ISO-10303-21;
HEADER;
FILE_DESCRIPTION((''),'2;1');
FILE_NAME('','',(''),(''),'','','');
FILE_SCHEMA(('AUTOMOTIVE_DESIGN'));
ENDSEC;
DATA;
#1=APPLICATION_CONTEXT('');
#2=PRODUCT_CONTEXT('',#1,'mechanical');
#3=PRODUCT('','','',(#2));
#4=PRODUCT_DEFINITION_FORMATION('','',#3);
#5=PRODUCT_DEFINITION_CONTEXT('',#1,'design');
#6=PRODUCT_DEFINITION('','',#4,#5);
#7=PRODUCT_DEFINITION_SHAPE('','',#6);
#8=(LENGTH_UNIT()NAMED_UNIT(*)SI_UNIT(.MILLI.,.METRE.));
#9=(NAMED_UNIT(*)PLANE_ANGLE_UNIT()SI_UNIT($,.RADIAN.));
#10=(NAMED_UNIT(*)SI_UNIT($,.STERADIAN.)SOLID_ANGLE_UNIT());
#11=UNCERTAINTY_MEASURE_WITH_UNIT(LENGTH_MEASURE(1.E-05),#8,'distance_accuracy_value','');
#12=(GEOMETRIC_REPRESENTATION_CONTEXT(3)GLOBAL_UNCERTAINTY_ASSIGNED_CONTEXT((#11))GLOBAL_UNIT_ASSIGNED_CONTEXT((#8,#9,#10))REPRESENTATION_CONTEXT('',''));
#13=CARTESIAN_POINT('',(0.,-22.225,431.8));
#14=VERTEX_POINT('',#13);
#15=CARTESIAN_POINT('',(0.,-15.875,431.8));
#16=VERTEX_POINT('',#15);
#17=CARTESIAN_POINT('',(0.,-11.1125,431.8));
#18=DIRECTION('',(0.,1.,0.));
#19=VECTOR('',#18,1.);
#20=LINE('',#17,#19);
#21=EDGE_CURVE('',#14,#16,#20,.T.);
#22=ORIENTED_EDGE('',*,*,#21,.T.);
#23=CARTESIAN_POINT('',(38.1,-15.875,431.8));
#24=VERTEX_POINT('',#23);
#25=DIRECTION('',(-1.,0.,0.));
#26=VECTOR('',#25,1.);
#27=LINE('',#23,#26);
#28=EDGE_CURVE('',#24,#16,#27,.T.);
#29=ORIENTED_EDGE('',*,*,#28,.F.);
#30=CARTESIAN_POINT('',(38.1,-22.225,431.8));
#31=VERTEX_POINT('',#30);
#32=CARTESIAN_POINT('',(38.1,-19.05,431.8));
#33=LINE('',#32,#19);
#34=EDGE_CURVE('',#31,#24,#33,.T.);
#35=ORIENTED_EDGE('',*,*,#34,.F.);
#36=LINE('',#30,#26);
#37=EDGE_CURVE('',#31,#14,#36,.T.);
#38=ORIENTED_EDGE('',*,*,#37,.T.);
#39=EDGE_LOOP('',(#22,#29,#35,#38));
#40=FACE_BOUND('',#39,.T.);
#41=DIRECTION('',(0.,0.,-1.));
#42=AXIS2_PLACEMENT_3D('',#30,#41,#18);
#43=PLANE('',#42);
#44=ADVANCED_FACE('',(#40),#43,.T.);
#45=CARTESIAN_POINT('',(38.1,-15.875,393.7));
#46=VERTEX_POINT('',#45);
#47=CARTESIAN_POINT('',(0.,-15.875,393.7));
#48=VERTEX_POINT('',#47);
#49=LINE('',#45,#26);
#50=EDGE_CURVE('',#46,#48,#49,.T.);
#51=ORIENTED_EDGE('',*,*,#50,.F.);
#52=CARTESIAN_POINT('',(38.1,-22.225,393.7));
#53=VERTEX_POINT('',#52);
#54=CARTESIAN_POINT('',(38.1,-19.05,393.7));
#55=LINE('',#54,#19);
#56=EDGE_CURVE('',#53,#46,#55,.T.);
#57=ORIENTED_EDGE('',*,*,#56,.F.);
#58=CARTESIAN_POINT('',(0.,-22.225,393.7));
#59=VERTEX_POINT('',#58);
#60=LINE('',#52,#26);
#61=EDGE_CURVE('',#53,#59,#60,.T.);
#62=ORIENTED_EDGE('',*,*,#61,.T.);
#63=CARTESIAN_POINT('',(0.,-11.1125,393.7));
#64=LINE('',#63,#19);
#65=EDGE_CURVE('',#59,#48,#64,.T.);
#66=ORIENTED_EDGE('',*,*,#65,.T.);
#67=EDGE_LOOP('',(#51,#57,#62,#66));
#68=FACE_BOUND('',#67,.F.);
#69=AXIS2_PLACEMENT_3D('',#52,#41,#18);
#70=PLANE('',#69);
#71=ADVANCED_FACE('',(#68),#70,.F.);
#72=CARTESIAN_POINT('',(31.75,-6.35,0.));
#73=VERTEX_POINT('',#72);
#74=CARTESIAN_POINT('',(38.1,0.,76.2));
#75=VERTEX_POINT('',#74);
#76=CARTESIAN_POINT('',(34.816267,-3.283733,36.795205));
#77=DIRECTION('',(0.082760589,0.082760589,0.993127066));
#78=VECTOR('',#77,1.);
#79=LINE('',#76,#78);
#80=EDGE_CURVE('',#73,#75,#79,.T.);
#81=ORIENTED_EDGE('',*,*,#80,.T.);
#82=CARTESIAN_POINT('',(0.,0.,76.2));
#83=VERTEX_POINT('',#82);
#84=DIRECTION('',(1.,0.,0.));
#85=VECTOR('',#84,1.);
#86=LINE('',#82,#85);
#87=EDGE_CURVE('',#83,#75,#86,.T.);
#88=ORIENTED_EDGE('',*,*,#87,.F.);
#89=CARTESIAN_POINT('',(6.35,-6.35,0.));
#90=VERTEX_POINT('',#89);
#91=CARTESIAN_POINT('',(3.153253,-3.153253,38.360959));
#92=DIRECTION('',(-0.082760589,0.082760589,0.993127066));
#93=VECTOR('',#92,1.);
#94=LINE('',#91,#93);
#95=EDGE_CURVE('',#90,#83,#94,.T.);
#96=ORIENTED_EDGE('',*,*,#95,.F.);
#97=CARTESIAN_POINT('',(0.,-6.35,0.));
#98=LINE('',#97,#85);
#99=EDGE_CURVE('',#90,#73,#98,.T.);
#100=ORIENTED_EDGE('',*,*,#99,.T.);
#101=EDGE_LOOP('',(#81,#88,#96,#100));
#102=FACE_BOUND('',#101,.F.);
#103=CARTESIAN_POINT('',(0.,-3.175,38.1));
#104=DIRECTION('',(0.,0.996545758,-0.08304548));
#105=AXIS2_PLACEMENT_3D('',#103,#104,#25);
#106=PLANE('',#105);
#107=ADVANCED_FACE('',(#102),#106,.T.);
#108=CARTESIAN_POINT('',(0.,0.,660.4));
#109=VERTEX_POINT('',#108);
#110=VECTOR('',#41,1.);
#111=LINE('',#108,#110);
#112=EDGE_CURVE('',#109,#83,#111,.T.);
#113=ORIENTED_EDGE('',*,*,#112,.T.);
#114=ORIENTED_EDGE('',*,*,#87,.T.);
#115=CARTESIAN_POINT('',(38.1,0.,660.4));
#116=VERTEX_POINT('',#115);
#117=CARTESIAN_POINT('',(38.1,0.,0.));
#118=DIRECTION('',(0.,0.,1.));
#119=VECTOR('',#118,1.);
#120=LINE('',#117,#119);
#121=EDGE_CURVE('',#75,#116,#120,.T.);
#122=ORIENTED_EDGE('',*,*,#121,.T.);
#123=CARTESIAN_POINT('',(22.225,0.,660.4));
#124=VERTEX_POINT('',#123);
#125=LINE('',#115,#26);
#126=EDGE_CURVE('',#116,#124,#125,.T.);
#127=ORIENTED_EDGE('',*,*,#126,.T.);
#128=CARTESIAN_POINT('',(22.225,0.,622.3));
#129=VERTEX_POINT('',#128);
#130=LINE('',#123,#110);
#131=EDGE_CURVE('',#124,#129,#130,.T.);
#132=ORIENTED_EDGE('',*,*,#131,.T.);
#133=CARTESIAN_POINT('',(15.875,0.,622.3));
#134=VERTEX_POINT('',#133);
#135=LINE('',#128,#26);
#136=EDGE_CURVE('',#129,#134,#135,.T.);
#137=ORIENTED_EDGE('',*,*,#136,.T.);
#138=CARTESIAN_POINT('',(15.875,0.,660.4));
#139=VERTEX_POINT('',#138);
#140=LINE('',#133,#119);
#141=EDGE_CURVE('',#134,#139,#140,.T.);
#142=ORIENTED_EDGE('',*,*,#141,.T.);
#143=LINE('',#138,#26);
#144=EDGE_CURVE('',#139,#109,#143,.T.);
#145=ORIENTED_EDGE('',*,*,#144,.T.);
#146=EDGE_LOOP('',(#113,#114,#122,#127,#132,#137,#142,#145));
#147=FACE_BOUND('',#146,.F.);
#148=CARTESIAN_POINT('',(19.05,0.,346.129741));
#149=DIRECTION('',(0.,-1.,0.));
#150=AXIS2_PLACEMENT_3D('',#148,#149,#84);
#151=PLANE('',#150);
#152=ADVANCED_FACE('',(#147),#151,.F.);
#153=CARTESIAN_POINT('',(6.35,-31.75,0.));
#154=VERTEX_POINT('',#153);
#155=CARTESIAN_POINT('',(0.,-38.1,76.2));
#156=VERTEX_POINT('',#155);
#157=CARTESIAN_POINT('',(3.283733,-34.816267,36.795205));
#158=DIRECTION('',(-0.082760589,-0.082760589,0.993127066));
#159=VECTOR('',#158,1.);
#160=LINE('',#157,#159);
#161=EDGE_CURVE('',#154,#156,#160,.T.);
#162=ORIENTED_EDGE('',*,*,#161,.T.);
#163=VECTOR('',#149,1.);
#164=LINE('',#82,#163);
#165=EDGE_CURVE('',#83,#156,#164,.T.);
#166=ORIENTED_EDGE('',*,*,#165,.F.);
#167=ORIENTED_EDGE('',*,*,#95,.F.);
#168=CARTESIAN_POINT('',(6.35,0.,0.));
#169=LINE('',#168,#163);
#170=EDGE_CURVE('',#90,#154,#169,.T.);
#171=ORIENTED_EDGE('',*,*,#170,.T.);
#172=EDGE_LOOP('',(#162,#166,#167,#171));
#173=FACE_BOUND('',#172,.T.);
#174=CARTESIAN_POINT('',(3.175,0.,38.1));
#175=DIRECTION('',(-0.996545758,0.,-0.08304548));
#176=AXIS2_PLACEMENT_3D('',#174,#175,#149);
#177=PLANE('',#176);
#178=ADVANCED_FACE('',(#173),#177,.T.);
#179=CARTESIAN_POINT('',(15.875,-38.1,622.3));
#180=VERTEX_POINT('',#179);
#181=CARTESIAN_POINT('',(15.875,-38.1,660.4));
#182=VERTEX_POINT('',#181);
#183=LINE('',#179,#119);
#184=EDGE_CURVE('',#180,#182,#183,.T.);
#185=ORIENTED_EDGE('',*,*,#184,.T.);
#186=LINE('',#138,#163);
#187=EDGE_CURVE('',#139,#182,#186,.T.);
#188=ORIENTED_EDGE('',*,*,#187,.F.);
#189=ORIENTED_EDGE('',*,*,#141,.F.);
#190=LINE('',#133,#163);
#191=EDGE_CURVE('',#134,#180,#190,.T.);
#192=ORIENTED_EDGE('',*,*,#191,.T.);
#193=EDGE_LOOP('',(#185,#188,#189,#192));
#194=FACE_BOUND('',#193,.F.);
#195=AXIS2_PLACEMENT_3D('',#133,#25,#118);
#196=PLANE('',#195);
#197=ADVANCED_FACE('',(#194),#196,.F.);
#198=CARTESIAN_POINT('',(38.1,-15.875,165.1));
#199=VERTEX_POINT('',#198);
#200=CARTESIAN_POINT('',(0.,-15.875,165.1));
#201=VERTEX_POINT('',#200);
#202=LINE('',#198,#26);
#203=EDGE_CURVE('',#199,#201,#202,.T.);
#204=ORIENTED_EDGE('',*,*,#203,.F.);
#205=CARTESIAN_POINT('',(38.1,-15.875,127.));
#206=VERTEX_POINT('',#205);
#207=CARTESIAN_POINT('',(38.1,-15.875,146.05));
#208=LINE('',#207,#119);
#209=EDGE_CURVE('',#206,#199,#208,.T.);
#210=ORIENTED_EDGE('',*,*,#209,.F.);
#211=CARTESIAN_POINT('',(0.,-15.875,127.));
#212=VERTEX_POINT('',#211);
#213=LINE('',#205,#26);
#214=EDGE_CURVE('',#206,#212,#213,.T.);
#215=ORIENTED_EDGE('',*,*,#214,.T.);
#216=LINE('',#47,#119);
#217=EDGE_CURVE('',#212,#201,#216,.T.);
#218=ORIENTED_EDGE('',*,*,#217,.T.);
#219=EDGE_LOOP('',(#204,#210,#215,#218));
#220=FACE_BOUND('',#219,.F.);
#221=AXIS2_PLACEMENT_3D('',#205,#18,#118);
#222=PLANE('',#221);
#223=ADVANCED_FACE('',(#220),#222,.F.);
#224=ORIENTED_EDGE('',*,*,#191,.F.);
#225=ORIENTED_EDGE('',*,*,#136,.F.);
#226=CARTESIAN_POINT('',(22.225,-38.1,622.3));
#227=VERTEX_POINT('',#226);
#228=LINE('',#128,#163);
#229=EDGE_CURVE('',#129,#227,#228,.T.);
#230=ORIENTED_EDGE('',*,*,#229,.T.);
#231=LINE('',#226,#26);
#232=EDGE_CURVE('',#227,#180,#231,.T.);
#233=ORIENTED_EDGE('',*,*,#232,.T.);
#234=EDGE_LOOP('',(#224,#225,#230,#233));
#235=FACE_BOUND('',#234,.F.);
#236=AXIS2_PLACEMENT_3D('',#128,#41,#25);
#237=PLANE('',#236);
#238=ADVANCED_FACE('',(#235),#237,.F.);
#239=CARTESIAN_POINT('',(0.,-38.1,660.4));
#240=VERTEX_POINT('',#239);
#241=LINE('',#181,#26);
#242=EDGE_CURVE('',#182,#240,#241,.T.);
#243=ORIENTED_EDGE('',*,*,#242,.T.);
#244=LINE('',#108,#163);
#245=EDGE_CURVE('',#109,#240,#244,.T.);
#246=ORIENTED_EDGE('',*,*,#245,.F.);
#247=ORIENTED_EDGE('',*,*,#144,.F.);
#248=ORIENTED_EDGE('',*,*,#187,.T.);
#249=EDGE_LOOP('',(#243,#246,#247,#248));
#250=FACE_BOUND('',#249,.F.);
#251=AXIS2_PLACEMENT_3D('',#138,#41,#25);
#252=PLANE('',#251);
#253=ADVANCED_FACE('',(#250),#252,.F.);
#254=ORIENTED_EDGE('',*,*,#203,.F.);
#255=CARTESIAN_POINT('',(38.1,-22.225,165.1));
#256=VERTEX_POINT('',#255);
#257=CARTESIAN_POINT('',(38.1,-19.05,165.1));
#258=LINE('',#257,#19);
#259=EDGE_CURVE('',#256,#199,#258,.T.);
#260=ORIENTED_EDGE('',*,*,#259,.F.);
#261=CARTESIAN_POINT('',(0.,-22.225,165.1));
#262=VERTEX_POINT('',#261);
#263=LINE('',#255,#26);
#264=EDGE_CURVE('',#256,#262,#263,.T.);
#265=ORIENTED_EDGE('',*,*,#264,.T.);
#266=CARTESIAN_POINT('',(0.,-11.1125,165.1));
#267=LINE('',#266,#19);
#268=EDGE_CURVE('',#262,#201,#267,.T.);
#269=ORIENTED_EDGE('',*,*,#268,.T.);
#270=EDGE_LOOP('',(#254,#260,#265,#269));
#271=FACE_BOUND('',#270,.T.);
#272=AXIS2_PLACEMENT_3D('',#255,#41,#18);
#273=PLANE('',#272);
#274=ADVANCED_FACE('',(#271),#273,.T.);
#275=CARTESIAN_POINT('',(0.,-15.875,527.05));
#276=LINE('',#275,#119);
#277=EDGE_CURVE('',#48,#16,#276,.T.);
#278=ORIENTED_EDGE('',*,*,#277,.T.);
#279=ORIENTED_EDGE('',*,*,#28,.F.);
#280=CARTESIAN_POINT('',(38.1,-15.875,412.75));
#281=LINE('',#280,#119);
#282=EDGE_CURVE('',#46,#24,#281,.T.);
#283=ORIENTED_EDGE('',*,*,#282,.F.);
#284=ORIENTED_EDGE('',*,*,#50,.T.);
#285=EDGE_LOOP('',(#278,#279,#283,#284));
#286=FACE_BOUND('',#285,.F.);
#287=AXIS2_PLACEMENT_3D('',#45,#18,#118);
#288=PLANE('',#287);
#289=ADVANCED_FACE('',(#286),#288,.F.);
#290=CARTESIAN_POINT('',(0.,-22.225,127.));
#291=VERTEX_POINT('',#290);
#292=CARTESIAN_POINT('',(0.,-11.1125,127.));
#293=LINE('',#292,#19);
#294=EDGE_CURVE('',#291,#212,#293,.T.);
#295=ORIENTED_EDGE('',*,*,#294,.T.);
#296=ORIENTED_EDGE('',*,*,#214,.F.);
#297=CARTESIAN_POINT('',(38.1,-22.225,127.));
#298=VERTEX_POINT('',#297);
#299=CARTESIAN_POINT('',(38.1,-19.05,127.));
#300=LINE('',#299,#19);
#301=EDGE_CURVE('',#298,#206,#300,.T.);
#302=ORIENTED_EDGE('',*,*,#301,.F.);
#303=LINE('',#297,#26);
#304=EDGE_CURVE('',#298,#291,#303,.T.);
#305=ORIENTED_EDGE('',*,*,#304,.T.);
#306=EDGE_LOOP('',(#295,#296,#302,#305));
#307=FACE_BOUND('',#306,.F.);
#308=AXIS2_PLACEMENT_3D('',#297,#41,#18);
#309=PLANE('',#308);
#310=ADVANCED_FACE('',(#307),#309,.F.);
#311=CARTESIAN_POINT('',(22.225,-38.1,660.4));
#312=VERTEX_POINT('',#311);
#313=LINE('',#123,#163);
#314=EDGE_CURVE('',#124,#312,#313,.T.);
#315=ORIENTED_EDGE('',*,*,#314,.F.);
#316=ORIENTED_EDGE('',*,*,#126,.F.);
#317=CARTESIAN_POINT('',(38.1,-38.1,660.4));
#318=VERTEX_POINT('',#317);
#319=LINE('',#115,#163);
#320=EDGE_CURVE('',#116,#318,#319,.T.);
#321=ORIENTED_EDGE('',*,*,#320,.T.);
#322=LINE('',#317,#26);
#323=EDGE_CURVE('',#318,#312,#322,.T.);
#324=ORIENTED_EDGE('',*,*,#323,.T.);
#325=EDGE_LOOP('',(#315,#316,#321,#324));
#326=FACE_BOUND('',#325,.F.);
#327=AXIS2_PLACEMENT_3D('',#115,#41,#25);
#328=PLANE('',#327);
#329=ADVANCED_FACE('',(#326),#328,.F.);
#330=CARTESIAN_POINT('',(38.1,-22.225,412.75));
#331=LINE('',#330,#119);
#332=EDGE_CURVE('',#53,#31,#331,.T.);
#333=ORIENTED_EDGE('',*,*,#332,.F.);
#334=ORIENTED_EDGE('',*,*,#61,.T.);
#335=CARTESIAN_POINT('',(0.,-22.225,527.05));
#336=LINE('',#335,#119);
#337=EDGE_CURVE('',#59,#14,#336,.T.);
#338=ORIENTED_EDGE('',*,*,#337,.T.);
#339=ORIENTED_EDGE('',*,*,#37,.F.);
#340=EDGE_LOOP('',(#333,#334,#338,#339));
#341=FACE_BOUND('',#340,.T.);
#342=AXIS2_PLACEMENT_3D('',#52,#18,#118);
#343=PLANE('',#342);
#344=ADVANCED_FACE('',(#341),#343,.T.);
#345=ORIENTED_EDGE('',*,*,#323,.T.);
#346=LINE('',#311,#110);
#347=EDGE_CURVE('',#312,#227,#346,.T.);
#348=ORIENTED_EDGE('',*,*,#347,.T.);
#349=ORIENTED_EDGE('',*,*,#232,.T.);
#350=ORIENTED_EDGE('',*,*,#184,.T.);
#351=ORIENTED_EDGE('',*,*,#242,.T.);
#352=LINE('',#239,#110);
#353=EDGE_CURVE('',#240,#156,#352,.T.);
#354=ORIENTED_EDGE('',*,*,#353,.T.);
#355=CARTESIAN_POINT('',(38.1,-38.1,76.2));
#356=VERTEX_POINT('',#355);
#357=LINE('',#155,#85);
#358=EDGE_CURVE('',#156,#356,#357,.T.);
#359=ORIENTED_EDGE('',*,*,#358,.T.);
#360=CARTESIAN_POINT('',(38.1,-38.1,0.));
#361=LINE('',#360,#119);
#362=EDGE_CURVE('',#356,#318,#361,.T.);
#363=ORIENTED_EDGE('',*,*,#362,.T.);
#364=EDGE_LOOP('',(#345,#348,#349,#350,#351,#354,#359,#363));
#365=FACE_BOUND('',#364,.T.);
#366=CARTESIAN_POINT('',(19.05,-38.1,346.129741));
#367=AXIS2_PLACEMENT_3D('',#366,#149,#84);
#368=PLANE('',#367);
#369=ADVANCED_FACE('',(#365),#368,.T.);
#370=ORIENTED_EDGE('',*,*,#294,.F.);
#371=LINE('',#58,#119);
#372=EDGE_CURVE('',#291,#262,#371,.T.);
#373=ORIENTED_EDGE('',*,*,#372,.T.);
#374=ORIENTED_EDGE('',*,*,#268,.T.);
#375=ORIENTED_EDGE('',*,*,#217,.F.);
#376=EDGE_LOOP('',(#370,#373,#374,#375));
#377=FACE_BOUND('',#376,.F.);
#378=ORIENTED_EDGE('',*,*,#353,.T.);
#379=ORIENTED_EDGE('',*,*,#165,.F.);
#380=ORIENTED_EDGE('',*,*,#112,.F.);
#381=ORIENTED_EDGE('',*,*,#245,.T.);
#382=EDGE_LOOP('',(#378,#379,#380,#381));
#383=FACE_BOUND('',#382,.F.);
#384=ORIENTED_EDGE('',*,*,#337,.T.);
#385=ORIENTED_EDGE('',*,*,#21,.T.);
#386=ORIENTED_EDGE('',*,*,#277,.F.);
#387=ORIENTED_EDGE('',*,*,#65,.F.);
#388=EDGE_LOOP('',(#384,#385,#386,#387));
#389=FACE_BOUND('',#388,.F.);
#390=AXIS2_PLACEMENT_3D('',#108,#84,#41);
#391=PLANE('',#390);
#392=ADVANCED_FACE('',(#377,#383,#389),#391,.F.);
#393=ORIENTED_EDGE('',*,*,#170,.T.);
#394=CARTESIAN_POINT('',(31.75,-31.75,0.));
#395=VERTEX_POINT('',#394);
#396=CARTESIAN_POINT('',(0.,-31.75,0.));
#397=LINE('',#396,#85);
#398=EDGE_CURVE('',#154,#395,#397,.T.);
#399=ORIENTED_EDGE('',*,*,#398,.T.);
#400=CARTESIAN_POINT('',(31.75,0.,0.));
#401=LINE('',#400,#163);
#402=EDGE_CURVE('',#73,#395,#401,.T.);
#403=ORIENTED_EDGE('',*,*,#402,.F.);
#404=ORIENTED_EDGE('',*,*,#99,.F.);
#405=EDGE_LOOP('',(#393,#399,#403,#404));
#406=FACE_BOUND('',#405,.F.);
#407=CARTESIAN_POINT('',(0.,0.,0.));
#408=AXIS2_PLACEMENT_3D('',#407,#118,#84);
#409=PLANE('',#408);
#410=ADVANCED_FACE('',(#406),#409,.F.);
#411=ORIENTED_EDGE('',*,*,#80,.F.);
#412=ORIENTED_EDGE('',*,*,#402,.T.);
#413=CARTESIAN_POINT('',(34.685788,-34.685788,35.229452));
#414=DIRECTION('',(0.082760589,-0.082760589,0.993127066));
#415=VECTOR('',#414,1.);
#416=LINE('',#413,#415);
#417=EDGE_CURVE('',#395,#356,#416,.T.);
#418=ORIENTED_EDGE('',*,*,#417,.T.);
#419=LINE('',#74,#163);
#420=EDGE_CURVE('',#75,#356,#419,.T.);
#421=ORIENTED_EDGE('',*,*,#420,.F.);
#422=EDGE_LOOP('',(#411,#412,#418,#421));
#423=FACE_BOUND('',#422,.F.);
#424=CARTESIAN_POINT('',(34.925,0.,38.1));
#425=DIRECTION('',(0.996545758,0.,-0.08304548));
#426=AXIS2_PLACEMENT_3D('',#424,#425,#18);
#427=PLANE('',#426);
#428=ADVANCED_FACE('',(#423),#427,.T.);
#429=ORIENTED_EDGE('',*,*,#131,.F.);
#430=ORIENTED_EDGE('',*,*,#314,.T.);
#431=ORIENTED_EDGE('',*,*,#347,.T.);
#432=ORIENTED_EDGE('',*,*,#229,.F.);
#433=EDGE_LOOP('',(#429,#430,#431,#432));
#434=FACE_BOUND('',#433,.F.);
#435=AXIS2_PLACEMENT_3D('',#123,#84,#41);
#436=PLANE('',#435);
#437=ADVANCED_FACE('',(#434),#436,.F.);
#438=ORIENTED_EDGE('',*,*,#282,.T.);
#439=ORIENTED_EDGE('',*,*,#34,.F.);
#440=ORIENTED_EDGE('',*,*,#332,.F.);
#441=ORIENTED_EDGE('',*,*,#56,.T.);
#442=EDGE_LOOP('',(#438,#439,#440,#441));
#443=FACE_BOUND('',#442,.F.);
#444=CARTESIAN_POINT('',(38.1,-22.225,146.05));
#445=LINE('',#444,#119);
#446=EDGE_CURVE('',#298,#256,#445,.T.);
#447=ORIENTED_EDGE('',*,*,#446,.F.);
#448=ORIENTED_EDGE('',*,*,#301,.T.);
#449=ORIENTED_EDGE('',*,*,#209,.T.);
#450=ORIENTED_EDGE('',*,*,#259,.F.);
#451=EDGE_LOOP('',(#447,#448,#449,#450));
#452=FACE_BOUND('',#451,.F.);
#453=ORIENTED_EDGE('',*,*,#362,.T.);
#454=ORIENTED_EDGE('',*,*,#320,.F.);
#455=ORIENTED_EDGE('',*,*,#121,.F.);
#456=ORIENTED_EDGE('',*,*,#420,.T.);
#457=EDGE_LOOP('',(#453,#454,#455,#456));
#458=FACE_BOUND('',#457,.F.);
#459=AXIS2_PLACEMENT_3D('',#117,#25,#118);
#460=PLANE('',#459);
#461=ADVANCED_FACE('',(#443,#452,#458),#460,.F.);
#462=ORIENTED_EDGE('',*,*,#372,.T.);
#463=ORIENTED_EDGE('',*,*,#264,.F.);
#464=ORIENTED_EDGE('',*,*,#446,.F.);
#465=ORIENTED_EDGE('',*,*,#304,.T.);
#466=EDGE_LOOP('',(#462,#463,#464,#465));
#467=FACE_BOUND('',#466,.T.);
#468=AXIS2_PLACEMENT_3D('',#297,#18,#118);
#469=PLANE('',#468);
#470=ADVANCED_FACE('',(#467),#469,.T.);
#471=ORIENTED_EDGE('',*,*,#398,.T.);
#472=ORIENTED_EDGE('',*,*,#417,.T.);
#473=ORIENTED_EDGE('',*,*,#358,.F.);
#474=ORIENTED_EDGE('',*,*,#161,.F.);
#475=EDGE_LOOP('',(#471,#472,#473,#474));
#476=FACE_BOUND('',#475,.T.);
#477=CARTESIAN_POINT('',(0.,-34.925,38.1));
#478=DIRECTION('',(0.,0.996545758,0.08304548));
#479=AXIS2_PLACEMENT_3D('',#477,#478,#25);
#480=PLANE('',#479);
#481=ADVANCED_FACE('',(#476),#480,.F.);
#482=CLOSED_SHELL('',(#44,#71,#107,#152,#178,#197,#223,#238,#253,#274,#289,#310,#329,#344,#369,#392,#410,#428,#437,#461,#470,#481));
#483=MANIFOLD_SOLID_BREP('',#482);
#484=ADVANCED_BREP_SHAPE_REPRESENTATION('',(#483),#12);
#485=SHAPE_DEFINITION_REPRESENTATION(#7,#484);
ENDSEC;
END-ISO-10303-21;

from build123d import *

# Parameters (mm, degrees)
F1_DEPTH = 38.1
F2_SIZE2 = 76.2
F2_SIZE  = 6.35
F3_W     = 6.35
F3_H     = 38.1
F4_DEPTH = 38.101


with BuildPart() as f1:
    # F0 (on Front) → F1 (new body)
    with BuildSketch(Plane.XZ):
        Polygon((0, 660.4), (0, 0), (38.1, 0), (38.1, 660.4), (22.225, 660.4), (22.225, 622.3), (15.875, 622.3), (15.875, 660.4), align=None)
    extrude(amount=F1_DEPTH)

    # F2
    f2_edges = [f1.edges().sort_by_distance(p)[0] for p in [
        (19.05, -38.1, 0),
        (38.1, -19.05, 0),
        (19.05, 0, 0),
        (0, -19.05, 0),
    ]]
    f2_side = f1.faces().sort_by_distance((19.05, -19.05, 0))[0]
    chamfer(f2_edges, length=F2_SIZE, length2=F2_SIZE2, reference=f2_side)

    # F3 (on face) → F4 (cut, through all)
    with BuildSketch(Plane.YZ.offset(38.1)):
        with Locations((-19.05, 412.75)):
            Rectangle(F3_W, F3_H)
        with Locations((-19.05, 146.05)):
            Rectangle(F3_W, F3_H)
    extrude(amount=-F4_DEPTH, mode=Mode.SUBTRACT)


solid = f1.part
